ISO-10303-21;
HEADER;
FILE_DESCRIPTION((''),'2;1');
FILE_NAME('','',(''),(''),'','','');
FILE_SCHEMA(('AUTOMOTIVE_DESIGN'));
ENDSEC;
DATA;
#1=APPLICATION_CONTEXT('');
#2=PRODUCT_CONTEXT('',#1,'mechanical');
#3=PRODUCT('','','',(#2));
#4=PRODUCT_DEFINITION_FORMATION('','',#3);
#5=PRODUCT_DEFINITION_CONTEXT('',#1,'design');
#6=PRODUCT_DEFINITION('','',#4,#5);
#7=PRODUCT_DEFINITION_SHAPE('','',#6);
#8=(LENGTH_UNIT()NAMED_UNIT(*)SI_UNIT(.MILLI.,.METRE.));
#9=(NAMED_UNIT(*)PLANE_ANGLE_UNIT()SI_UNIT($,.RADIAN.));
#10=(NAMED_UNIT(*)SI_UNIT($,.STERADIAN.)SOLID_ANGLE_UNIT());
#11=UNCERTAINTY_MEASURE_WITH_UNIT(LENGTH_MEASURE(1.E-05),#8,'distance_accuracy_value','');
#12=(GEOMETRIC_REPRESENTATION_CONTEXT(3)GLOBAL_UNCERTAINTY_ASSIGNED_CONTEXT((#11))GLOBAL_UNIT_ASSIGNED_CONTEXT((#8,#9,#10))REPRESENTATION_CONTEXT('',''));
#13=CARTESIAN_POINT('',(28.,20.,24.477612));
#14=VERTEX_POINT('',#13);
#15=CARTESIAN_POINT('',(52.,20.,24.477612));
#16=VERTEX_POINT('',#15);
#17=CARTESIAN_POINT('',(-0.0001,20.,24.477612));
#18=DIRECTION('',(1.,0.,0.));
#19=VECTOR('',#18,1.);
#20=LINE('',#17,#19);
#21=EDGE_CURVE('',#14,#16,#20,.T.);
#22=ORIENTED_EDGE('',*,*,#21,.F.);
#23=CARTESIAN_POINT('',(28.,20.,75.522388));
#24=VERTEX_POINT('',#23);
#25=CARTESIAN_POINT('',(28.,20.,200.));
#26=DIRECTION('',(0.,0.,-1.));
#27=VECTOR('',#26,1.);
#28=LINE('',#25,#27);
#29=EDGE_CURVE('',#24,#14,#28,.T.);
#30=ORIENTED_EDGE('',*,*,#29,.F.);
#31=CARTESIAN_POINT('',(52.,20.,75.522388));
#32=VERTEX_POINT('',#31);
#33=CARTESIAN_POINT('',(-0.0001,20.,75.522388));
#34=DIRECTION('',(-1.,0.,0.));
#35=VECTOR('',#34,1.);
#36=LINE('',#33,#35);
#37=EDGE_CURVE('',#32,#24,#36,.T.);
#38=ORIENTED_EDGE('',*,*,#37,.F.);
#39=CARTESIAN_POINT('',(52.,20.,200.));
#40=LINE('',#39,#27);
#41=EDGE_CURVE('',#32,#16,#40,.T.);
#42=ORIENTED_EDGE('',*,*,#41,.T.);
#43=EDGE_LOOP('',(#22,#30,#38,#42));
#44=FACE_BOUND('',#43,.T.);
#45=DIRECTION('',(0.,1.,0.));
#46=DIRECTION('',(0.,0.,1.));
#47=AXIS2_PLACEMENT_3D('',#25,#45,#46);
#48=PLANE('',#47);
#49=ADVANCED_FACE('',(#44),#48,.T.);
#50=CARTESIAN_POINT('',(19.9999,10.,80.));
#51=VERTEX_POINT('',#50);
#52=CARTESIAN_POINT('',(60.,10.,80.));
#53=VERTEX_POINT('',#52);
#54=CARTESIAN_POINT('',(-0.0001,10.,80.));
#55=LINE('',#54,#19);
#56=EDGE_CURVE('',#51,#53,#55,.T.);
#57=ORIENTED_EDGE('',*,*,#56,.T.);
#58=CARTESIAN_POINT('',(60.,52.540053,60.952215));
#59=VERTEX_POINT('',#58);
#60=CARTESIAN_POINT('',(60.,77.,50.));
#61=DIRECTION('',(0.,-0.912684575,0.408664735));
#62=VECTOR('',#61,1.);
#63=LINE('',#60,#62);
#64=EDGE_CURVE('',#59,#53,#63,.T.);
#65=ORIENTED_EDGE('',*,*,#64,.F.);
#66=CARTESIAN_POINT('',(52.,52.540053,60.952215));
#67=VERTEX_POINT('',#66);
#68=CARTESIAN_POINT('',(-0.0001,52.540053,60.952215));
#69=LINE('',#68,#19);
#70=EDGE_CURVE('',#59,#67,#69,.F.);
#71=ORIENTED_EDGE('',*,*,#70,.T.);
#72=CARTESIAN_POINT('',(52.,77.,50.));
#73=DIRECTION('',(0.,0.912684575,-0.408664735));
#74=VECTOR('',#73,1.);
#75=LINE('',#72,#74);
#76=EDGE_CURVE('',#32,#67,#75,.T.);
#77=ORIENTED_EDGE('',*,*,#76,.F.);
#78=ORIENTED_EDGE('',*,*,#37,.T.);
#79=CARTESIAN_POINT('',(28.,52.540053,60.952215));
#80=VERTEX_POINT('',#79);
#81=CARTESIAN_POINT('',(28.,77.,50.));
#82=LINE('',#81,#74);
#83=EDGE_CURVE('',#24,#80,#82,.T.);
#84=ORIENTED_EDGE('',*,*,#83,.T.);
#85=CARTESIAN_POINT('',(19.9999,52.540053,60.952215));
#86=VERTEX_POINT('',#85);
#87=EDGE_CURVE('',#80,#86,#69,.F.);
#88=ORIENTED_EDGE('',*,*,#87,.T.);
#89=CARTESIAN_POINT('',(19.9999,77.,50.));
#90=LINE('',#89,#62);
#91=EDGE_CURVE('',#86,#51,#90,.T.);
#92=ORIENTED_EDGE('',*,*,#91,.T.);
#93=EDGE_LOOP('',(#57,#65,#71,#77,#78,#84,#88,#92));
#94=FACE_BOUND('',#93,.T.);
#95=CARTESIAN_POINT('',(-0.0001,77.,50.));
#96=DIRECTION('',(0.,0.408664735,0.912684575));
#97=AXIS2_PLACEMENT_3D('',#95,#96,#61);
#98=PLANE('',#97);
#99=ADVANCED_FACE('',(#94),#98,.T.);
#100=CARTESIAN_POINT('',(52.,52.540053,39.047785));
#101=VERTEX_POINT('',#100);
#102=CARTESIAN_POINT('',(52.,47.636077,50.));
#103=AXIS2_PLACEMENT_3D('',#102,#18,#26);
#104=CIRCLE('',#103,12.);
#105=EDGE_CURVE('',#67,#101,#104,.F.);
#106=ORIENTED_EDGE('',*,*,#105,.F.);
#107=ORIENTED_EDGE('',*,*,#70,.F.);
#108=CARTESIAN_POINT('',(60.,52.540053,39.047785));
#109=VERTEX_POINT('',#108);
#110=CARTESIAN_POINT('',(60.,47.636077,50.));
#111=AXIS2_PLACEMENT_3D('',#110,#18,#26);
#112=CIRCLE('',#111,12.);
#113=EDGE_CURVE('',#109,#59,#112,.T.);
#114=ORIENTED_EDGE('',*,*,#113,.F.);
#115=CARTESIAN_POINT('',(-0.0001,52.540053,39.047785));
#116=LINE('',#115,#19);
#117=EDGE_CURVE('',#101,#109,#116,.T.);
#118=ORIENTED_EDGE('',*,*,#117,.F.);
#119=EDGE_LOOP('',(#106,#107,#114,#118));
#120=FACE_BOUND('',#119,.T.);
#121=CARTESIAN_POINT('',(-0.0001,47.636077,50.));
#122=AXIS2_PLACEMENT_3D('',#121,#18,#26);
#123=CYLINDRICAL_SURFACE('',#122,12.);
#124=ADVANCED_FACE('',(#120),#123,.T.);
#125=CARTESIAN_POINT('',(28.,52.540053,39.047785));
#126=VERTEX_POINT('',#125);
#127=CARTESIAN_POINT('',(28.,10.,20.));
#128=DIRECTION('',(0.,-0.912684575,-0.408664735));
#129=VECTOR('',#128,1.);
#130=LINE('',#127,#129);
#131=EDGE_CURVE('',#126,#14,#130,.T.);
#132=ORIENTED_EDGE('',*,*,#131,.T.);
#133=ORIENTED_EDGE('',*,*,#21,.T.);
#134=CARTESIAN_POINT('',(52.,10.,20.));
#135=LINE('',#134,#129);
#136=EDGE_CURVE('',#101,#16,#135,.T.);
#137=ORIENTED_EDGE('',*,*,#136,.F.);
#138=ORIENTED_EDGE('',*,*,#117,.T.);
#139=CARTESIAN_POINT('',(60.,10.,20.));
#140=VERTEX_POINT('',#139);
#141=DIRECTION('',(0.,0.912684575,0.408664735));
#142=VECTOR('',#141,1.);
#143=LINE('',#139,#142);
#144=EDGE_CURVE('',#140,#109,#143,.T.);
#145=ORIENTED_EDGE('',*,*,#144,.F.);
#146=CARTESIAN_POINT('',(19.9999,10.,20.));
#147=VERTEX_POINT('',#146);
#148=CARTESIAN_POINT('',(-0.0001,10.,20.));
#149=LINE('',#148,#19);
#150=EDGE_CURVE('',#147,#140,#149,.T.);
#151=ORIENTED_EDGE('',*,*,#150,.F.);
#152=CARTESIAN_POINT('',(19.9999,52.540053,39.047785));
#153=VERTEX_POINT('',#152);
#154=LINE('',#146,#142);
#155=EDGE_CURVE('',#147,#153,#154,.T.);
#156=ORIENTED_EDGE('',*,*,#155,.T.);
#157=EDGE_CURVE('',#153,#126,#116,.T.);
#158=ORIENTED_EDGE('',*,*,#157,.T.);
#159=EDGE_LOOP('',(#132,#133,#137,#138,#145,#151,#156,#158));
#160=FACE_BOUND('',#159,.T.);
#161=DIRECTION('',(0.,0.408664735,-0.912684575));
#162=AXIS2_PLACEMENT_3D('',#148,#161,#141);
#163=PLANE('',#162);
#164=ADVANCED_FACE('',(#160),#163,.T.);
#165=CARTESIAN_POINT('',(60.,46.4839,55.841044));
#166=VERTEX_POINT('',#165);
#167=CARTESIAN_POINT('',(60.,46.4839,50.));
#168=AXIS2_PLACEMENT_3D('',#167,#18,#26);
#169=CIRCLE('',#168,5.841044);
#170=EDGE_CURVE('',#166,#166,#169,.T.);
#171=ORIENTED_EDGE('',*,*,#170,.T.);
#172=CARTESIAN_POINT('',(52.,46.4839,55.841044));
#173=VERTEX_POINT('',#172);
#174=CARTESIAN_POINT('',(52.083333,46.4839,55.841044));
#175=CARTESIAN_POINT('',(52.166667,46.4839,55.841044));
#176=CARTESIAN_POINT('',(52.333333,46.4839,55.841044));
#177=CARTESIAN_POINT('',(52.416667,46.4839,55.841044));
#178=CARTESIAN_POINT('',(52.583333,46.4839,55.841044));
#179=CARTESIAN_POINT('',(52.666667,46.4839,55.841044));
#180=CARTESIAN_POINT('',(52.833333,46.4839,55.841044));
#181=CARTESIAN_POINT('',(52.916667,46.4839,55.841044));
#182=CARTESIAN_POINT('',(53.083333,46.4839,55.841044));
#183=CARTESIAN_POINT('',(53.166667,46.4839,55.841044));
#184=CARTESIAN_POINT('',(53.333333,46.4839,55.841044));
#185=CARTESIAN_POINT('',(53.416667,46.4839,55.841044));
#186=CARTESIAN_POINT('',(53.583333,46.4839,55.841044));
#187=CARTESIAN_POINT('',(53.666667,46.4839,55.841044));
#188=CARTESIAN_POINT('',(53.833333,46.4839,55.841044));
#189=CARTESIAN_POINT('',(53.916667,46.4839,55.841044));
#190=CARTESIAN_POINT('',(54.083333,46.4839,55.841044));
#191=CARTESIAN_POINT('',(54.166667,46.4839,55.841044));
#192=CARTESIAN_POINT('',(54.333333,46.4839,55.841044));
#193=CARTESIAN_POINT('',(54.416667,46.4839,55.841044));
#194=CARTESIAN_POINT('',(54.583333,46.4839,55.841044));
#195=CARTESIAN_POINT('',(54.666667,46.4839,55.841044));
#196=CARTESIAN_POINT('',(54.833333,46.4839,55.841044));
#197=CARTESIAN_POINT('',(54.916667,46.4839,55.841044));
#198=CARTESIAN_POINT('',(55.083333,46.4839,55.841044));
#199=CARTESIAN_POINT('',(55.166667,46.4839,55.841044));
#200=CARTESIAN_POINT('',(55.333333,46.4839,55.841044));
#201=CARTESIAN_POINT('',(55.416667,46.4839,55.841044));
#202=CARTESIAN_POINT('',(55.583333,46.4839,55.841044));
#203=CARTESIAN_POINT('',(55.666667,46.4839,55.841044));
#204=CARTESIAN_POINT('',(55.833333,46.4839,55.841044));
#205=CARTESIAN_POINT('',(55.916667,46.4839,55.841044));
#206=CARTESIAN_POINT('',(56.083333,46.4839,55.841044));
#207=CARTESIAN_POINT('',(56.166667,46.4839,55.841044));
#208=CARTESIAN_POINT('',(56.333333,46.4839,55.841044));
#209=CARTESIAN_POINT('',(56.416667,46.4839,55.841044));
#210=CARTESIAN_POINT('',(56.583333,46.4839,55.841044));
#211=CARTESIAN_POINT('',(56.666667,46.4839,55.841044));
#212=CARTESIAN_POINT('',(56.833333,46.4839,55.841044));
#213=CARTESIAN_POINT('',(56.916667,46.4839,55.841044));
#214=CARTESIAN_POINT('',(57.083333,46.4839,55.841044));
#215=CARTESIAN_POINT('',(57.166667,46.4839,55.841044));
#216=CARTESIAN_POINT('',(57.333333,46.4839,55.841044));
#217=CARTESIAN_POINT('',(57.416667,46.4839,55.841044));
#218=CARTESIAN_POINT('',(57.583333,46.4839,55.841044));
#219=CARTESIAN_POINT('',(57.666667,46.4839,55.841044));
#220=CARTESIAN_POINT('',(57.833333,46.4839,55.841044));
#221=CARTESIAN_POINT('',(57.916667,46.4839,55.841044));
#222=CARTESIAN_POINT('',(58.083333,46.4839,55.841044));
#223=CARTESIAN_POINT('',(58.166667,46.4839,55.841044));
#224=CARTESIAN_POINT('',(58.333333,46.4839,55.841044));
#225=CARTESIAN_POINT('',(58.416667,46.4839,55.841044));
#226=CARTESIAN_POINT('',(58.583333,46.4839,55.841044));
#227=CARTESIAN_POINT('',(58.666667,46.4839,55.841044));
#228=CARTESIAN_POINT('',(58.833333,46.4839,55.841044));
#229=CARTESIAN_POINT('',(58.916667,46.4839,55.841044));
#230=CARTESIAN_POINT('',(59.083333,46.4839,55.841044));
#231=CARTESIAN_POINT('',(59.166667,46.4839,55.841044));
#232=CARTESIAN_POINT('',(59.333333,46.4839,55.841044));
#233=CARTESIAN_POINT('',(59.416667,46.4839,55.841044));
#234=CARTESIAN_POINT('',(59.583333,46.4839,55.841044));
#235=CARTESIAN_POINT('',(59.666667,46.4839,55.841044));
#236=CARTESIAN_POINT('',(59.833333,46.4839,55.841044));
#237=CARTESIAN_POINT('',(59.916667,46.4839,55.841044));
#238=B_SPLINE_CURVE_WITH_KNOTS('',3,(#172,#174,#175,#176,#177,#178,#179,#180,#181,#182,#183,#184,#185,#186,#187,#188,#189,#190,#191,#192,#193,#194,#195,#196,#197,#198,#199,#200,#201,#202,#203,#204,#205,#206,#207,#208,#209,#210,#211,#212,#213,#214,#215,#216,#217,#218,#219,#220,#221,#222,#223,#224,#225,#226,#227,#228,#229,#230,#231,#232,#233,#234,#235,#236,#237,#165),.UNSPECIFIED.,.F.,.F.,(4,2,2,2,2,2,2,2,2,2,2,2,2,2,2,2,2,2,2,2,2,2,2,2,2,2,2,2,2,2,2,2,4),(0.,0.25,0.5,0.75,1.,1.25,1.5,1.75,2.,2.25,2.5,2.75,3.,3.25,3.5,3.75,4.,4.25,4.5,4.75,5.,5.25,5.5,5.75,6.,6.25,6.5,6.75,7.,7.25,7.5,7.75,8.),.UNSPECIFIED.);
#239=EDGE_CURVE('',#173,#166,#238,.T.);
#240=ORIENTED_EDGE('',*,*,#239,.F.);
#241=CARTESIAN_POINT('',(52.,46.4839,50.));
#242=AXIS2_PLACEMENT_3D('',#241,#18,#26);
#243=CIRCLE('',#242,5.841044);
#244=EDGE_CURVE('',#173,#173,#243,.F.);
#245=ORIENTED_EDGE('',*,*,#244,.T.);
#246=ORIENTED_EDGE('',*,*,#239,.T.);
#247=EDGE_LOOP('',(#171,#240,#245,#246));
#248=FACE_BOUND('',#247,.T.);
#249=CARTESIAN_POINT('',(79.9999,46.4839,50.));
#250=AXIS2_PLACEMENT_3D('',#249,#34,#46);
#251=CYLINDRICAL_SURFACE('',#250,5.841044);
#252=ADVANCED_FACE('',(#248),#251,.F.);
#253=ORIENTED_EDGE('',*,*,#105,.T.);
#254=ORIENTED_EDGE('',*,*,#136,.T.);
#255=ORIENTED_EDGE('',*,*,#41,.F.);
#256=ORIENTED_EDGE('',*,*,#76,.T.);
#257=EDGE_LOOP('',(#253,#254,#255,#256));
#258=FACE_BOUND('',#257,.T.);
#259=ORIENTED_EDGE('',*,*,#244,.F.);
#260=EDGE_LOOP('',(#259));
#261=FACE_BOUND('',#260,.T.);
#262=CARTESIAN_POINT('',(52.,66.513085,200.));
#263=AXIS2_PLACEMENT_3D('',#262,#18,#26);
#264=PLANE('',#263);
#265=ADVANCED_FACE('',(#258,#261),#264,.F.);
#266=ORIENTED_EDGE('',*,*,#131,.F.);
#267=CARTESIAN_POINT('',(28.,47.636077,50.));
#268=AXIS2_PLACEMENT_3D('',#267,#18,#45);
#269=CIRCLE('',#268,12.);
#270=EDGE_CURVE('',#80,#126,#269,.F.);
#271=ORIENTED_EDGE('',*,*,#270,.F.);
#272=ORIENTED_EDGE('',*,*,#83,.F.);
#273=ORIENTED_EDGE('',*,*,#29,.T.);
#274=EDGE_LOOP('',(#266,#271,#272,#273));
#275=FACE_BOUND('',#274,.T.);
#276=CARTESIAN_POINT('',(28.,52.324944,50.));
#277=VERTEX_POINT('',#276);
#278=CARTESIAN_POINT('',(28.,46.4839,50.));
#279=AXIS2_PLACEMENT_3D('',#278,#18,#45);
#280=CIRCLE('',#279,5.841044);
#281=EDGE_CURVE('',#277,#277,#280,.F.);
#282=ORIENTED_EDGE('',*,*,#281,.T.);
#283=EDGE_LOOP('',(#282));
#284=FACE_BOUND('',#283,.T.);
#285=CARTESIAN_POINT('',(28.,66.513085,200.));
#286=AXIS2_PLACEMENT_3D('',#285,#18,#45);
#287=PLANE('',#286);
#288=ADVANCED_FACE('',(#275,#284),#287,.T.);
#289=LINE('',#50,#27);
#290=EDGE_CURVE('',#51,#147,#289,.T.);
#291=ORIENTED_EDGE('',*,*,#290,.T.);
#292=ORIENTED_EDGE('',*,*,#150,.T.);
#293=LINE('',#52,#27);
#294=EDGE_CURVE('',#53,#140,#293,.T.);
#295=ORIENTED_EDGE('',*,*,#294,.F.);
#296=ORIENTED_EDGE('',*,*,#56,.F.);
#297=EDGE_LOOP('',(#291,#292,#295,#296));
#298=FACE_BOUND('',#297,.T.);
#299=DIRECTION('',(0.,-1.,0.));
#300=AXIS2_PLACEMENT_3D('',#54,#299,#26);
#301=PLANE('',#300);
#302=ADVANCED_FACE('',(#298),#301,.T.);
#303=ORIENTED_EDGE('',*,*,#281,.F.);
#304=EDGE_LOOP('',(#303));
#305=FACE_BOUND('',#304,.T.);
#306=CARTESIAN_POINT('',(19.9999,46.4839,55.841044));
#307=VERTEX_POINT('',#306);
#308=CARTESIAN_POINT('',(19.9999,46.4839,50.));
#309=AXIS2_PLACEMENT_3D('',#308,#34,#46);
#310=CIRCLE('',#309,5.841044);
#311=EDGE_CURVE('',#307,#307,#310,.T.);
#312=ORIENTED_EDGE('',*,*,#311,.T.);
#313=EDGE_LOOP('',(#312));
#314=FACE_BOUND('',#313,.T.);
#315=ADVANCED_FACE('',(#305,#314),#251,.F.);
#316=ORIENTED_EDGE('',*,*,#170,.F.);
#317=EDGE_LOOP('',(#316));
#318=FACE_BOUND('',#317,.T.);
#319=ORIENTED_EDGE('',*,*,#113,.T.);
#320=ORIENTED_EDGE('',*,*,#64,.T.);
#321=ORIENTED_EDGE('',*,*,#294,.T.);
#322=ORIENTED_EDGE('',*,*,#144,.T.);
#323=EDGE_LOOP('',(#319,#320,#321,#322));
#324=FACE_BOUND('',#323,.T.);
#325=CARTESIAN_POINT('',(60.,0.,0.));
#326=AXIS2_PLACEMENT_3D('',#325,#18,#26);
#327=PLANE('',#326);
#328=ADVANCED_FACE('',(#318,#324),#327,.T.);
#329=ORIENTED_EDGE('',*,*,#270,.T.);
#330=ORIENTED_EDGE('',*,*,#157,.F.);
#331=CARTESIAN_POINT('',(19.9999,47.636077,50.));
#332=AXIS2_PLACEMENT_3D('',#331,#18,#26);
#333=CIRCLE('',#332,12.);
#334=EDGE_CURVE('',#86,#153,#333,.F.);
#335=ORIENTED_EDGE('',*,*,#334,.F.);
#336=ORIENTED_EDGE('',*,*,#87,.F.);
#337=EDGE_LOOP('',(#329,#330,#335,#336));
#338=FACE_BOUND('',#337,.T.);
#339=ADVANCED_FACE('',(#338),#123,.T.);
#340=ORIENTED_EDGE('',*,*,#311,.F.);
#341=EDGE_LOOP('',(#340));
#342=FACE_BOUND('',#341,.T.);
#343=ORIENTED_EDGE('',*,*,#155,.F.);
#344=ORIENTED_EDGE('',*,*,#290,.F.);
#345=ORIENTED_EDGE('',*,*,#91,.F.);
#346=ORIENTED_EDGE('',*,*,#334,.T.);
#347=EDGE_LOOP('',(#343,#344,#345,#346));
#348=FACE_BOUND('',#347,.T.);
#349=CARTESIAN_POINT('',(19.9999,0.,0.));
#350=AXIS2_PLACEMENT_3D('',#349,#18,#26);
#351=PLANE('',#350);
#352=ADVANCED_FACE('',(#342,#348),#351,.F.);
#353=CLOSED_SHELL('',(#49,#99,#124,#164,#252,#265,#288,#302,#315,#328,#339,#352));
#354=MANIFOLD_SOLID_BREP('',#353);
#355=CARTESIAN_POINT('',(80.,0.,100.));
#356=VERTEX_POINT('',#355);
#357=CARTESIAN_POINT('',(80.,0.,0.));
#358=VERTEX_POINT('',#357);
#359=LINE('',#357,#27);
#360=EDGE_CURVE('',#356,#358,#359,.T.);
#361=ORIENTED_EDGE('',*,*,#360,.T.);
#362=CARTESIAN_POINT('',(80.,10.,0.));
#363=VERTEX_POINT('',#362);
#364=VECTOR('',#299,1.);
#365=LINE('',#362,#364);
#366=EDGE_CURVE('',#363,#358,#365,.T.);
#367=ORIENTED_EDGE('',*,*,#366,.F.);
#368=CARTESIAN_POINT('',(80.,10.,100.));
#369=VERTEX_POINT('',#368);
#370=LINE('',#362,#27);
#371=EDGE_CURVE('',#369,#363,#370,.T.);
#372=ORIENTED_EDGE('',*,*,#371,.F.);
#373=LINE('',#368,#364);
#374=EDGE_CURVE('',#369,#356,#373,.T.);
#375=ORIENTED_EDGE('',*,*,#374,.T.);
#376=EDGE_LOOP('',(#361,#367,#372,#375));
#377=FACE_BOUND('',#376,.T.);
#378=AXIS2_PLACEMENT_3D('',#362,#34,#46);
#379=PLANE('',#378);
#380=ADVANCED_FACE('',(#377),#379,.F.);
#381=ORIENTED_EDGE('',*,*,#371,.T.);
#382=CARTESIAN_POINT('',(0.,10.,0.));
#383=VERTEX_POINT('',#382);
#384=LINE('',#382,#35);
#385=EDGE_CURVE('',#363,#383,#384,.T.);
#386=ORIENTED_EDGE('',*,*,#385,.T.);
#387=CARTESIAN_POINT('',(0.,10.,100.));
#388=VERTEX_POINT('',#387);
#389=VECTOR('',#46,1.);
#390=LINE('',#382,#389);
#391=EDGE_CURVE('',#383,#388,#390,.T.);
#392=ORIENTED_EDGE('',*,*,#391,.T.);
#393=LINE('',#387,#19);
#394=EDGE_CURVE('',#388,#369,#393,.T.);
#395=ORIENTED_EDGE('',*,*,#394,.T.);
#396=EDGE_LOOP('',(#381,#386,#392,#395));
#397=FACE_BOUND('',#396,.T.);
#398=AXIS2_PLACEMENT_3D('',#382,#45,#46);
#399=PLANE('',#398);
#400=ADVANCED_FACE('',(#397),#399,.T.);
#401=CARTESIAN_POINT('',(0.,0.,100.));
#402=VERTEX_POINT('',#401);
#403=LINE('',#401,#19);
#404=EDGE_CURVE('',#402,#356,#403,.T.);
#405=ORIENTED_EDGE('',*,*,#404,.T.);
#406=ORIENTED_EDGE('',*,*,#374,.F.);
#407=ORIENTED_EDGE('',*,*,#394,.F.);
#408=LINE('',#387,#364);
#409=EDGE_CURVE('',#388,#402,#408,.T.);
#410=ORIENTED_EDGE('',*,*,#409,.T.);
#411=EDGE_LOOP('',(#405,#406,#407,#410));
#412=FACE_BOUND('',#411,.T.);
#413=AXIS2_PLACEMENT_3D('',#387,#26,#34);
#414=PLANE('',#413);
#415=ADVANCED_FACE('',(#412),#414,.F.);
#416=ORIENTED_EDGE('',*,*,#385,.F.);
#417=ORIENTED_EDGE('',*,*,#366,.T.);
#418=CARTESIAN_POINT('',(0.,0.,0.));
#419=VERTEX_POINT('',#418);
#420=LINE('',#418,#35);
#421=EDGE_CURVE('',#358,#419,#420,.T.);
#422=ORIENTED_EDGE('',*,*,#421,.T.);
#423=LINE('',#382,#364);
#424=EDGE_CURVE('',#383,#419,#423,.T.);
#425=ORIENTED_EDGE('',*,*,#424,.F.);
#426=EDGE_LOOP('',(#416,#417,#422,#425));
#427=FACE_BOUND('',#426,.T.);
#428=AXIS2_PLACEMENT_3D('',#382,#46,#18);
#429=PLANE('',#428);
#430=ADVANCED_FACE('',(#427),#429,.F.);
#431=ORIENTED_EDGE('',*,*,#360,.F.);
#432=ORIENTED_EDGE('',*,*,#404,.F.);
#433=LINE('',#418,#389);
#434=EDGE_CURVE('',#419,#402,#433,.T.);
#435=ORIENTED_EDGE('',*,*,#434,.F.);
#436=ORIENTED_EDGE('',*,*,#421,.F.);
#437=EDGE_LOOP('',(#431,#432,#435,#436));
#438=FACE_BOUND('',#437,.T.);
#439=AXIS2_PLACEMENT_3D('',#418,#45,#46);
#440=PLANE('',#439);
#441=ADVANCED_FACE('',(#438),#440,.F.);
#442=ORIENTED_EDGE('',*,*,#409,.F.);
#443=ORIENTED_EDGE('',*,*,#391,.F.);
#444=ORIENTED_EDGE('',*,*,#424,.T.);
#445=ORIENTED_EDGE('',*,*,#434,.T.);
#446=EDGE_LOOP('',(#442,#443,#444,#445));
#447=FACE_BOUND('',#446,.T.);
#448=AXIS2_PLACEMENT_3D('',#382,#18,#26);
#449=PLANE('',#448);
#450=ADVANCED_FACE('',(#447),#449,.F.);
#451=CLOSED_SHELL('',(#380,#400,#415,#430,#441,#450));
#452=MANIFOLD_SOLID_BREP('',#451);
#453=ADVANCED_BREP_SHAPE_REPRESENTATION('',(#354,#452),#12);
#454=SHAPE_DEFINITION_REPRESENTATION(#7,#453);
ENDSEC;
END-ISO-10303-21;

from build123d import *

# Parameters (mm, degrees)
SKETCH1_W                = 80
SKETCH1_H                = 100
BOSS_EXTRUDE1_DEPTH      = 10
BOSS_EXTRUDE2_DEPTH      = 60
BOSS_EXTRUDE2_DEPTH_BACK = 0.0001
MOVE_FACE1_BY            = 20
FILLET1_R                = 12
SKETCH8_R                = 5.841043822
CUT_EXTRUDE1_DEPTH       = 60
SKETCH10_W               = 24
SKETCH10_H               = 46.513085369
CUT_EXTRUDE2_DEPTH       = 200


with BuildPart() as part:
    # Sketch1 → Boss-Extrude1 (new body)
    with BuildSketch(Plane(origin=(0, 0, 0), x_dir=(1, 0, 0), z_dir=(0, 1, 0))):
        with Locations((40, -50)):
            Rectangle(SKETCH1_W, SKETCH1_H)
    extrude(amount=BOSS_EXTRUDE1_DEPTH)


with BuildPart() as body_2:
    # Sketch2 → Boss-Extrude2 (new, two sides: drawn at the far end of the back side and taken through both)
    with BuildSketch(Plane(origin=(0, 0, 0), x_dir=(0, 0, -1), z_dir=(1, 0, 0)).offset(-BOSS_EXTRUDE2_DEPTH_BACK)):
        Polygon((-80, 10), (-20, 10), (-50, 77), align=None)
    extrude(amount=BOSS_EXTRUDE2_DEPTH + BOSS_EXTRUDE2_DEPTH_BACK)

    # Move Face1: a face moved inward by 20.0
    extrude(body_2.faces().sort_by_distance((-0.0001, 32.333333333, 50))[0], amount=MOVE_FACE1_BY, dir=(1, 0, 0), mode=Mode.SUBTRACT)

    # Fillet1
    fillet1_edges = [body_2.edges().sort_by_distance(p)[0] for p in [
        (39.99995, 77, 50),
    ]]
    fillet(fillet1_edges, radius=FILLET1_R)

    # Sketch8 → Cut-Extrude1 (cut)
    with BuildSketch(Plane.ZY.offset(-19.9999)):
        with Locations((50, 46.483900052)):
            Circle(SKETCH8_R)
    extrude(amount=-CUT_EXTRUDE1_DEPTH, mode=Mode.SUBTRACT)

    # Sketch10 → Cut-Extrude2 (cut)
    with BuildSketch(Plane.XY):
        with Locations((40, 43.256542685)):
            Rectangle(SKETCH10_W, SKETCH10_H)
    extrude(amount=CUT_EXTRUDE2_DEPTH, mode=Mode.SUBTRACT)


solid = Compound([part.part, body_2.part])
